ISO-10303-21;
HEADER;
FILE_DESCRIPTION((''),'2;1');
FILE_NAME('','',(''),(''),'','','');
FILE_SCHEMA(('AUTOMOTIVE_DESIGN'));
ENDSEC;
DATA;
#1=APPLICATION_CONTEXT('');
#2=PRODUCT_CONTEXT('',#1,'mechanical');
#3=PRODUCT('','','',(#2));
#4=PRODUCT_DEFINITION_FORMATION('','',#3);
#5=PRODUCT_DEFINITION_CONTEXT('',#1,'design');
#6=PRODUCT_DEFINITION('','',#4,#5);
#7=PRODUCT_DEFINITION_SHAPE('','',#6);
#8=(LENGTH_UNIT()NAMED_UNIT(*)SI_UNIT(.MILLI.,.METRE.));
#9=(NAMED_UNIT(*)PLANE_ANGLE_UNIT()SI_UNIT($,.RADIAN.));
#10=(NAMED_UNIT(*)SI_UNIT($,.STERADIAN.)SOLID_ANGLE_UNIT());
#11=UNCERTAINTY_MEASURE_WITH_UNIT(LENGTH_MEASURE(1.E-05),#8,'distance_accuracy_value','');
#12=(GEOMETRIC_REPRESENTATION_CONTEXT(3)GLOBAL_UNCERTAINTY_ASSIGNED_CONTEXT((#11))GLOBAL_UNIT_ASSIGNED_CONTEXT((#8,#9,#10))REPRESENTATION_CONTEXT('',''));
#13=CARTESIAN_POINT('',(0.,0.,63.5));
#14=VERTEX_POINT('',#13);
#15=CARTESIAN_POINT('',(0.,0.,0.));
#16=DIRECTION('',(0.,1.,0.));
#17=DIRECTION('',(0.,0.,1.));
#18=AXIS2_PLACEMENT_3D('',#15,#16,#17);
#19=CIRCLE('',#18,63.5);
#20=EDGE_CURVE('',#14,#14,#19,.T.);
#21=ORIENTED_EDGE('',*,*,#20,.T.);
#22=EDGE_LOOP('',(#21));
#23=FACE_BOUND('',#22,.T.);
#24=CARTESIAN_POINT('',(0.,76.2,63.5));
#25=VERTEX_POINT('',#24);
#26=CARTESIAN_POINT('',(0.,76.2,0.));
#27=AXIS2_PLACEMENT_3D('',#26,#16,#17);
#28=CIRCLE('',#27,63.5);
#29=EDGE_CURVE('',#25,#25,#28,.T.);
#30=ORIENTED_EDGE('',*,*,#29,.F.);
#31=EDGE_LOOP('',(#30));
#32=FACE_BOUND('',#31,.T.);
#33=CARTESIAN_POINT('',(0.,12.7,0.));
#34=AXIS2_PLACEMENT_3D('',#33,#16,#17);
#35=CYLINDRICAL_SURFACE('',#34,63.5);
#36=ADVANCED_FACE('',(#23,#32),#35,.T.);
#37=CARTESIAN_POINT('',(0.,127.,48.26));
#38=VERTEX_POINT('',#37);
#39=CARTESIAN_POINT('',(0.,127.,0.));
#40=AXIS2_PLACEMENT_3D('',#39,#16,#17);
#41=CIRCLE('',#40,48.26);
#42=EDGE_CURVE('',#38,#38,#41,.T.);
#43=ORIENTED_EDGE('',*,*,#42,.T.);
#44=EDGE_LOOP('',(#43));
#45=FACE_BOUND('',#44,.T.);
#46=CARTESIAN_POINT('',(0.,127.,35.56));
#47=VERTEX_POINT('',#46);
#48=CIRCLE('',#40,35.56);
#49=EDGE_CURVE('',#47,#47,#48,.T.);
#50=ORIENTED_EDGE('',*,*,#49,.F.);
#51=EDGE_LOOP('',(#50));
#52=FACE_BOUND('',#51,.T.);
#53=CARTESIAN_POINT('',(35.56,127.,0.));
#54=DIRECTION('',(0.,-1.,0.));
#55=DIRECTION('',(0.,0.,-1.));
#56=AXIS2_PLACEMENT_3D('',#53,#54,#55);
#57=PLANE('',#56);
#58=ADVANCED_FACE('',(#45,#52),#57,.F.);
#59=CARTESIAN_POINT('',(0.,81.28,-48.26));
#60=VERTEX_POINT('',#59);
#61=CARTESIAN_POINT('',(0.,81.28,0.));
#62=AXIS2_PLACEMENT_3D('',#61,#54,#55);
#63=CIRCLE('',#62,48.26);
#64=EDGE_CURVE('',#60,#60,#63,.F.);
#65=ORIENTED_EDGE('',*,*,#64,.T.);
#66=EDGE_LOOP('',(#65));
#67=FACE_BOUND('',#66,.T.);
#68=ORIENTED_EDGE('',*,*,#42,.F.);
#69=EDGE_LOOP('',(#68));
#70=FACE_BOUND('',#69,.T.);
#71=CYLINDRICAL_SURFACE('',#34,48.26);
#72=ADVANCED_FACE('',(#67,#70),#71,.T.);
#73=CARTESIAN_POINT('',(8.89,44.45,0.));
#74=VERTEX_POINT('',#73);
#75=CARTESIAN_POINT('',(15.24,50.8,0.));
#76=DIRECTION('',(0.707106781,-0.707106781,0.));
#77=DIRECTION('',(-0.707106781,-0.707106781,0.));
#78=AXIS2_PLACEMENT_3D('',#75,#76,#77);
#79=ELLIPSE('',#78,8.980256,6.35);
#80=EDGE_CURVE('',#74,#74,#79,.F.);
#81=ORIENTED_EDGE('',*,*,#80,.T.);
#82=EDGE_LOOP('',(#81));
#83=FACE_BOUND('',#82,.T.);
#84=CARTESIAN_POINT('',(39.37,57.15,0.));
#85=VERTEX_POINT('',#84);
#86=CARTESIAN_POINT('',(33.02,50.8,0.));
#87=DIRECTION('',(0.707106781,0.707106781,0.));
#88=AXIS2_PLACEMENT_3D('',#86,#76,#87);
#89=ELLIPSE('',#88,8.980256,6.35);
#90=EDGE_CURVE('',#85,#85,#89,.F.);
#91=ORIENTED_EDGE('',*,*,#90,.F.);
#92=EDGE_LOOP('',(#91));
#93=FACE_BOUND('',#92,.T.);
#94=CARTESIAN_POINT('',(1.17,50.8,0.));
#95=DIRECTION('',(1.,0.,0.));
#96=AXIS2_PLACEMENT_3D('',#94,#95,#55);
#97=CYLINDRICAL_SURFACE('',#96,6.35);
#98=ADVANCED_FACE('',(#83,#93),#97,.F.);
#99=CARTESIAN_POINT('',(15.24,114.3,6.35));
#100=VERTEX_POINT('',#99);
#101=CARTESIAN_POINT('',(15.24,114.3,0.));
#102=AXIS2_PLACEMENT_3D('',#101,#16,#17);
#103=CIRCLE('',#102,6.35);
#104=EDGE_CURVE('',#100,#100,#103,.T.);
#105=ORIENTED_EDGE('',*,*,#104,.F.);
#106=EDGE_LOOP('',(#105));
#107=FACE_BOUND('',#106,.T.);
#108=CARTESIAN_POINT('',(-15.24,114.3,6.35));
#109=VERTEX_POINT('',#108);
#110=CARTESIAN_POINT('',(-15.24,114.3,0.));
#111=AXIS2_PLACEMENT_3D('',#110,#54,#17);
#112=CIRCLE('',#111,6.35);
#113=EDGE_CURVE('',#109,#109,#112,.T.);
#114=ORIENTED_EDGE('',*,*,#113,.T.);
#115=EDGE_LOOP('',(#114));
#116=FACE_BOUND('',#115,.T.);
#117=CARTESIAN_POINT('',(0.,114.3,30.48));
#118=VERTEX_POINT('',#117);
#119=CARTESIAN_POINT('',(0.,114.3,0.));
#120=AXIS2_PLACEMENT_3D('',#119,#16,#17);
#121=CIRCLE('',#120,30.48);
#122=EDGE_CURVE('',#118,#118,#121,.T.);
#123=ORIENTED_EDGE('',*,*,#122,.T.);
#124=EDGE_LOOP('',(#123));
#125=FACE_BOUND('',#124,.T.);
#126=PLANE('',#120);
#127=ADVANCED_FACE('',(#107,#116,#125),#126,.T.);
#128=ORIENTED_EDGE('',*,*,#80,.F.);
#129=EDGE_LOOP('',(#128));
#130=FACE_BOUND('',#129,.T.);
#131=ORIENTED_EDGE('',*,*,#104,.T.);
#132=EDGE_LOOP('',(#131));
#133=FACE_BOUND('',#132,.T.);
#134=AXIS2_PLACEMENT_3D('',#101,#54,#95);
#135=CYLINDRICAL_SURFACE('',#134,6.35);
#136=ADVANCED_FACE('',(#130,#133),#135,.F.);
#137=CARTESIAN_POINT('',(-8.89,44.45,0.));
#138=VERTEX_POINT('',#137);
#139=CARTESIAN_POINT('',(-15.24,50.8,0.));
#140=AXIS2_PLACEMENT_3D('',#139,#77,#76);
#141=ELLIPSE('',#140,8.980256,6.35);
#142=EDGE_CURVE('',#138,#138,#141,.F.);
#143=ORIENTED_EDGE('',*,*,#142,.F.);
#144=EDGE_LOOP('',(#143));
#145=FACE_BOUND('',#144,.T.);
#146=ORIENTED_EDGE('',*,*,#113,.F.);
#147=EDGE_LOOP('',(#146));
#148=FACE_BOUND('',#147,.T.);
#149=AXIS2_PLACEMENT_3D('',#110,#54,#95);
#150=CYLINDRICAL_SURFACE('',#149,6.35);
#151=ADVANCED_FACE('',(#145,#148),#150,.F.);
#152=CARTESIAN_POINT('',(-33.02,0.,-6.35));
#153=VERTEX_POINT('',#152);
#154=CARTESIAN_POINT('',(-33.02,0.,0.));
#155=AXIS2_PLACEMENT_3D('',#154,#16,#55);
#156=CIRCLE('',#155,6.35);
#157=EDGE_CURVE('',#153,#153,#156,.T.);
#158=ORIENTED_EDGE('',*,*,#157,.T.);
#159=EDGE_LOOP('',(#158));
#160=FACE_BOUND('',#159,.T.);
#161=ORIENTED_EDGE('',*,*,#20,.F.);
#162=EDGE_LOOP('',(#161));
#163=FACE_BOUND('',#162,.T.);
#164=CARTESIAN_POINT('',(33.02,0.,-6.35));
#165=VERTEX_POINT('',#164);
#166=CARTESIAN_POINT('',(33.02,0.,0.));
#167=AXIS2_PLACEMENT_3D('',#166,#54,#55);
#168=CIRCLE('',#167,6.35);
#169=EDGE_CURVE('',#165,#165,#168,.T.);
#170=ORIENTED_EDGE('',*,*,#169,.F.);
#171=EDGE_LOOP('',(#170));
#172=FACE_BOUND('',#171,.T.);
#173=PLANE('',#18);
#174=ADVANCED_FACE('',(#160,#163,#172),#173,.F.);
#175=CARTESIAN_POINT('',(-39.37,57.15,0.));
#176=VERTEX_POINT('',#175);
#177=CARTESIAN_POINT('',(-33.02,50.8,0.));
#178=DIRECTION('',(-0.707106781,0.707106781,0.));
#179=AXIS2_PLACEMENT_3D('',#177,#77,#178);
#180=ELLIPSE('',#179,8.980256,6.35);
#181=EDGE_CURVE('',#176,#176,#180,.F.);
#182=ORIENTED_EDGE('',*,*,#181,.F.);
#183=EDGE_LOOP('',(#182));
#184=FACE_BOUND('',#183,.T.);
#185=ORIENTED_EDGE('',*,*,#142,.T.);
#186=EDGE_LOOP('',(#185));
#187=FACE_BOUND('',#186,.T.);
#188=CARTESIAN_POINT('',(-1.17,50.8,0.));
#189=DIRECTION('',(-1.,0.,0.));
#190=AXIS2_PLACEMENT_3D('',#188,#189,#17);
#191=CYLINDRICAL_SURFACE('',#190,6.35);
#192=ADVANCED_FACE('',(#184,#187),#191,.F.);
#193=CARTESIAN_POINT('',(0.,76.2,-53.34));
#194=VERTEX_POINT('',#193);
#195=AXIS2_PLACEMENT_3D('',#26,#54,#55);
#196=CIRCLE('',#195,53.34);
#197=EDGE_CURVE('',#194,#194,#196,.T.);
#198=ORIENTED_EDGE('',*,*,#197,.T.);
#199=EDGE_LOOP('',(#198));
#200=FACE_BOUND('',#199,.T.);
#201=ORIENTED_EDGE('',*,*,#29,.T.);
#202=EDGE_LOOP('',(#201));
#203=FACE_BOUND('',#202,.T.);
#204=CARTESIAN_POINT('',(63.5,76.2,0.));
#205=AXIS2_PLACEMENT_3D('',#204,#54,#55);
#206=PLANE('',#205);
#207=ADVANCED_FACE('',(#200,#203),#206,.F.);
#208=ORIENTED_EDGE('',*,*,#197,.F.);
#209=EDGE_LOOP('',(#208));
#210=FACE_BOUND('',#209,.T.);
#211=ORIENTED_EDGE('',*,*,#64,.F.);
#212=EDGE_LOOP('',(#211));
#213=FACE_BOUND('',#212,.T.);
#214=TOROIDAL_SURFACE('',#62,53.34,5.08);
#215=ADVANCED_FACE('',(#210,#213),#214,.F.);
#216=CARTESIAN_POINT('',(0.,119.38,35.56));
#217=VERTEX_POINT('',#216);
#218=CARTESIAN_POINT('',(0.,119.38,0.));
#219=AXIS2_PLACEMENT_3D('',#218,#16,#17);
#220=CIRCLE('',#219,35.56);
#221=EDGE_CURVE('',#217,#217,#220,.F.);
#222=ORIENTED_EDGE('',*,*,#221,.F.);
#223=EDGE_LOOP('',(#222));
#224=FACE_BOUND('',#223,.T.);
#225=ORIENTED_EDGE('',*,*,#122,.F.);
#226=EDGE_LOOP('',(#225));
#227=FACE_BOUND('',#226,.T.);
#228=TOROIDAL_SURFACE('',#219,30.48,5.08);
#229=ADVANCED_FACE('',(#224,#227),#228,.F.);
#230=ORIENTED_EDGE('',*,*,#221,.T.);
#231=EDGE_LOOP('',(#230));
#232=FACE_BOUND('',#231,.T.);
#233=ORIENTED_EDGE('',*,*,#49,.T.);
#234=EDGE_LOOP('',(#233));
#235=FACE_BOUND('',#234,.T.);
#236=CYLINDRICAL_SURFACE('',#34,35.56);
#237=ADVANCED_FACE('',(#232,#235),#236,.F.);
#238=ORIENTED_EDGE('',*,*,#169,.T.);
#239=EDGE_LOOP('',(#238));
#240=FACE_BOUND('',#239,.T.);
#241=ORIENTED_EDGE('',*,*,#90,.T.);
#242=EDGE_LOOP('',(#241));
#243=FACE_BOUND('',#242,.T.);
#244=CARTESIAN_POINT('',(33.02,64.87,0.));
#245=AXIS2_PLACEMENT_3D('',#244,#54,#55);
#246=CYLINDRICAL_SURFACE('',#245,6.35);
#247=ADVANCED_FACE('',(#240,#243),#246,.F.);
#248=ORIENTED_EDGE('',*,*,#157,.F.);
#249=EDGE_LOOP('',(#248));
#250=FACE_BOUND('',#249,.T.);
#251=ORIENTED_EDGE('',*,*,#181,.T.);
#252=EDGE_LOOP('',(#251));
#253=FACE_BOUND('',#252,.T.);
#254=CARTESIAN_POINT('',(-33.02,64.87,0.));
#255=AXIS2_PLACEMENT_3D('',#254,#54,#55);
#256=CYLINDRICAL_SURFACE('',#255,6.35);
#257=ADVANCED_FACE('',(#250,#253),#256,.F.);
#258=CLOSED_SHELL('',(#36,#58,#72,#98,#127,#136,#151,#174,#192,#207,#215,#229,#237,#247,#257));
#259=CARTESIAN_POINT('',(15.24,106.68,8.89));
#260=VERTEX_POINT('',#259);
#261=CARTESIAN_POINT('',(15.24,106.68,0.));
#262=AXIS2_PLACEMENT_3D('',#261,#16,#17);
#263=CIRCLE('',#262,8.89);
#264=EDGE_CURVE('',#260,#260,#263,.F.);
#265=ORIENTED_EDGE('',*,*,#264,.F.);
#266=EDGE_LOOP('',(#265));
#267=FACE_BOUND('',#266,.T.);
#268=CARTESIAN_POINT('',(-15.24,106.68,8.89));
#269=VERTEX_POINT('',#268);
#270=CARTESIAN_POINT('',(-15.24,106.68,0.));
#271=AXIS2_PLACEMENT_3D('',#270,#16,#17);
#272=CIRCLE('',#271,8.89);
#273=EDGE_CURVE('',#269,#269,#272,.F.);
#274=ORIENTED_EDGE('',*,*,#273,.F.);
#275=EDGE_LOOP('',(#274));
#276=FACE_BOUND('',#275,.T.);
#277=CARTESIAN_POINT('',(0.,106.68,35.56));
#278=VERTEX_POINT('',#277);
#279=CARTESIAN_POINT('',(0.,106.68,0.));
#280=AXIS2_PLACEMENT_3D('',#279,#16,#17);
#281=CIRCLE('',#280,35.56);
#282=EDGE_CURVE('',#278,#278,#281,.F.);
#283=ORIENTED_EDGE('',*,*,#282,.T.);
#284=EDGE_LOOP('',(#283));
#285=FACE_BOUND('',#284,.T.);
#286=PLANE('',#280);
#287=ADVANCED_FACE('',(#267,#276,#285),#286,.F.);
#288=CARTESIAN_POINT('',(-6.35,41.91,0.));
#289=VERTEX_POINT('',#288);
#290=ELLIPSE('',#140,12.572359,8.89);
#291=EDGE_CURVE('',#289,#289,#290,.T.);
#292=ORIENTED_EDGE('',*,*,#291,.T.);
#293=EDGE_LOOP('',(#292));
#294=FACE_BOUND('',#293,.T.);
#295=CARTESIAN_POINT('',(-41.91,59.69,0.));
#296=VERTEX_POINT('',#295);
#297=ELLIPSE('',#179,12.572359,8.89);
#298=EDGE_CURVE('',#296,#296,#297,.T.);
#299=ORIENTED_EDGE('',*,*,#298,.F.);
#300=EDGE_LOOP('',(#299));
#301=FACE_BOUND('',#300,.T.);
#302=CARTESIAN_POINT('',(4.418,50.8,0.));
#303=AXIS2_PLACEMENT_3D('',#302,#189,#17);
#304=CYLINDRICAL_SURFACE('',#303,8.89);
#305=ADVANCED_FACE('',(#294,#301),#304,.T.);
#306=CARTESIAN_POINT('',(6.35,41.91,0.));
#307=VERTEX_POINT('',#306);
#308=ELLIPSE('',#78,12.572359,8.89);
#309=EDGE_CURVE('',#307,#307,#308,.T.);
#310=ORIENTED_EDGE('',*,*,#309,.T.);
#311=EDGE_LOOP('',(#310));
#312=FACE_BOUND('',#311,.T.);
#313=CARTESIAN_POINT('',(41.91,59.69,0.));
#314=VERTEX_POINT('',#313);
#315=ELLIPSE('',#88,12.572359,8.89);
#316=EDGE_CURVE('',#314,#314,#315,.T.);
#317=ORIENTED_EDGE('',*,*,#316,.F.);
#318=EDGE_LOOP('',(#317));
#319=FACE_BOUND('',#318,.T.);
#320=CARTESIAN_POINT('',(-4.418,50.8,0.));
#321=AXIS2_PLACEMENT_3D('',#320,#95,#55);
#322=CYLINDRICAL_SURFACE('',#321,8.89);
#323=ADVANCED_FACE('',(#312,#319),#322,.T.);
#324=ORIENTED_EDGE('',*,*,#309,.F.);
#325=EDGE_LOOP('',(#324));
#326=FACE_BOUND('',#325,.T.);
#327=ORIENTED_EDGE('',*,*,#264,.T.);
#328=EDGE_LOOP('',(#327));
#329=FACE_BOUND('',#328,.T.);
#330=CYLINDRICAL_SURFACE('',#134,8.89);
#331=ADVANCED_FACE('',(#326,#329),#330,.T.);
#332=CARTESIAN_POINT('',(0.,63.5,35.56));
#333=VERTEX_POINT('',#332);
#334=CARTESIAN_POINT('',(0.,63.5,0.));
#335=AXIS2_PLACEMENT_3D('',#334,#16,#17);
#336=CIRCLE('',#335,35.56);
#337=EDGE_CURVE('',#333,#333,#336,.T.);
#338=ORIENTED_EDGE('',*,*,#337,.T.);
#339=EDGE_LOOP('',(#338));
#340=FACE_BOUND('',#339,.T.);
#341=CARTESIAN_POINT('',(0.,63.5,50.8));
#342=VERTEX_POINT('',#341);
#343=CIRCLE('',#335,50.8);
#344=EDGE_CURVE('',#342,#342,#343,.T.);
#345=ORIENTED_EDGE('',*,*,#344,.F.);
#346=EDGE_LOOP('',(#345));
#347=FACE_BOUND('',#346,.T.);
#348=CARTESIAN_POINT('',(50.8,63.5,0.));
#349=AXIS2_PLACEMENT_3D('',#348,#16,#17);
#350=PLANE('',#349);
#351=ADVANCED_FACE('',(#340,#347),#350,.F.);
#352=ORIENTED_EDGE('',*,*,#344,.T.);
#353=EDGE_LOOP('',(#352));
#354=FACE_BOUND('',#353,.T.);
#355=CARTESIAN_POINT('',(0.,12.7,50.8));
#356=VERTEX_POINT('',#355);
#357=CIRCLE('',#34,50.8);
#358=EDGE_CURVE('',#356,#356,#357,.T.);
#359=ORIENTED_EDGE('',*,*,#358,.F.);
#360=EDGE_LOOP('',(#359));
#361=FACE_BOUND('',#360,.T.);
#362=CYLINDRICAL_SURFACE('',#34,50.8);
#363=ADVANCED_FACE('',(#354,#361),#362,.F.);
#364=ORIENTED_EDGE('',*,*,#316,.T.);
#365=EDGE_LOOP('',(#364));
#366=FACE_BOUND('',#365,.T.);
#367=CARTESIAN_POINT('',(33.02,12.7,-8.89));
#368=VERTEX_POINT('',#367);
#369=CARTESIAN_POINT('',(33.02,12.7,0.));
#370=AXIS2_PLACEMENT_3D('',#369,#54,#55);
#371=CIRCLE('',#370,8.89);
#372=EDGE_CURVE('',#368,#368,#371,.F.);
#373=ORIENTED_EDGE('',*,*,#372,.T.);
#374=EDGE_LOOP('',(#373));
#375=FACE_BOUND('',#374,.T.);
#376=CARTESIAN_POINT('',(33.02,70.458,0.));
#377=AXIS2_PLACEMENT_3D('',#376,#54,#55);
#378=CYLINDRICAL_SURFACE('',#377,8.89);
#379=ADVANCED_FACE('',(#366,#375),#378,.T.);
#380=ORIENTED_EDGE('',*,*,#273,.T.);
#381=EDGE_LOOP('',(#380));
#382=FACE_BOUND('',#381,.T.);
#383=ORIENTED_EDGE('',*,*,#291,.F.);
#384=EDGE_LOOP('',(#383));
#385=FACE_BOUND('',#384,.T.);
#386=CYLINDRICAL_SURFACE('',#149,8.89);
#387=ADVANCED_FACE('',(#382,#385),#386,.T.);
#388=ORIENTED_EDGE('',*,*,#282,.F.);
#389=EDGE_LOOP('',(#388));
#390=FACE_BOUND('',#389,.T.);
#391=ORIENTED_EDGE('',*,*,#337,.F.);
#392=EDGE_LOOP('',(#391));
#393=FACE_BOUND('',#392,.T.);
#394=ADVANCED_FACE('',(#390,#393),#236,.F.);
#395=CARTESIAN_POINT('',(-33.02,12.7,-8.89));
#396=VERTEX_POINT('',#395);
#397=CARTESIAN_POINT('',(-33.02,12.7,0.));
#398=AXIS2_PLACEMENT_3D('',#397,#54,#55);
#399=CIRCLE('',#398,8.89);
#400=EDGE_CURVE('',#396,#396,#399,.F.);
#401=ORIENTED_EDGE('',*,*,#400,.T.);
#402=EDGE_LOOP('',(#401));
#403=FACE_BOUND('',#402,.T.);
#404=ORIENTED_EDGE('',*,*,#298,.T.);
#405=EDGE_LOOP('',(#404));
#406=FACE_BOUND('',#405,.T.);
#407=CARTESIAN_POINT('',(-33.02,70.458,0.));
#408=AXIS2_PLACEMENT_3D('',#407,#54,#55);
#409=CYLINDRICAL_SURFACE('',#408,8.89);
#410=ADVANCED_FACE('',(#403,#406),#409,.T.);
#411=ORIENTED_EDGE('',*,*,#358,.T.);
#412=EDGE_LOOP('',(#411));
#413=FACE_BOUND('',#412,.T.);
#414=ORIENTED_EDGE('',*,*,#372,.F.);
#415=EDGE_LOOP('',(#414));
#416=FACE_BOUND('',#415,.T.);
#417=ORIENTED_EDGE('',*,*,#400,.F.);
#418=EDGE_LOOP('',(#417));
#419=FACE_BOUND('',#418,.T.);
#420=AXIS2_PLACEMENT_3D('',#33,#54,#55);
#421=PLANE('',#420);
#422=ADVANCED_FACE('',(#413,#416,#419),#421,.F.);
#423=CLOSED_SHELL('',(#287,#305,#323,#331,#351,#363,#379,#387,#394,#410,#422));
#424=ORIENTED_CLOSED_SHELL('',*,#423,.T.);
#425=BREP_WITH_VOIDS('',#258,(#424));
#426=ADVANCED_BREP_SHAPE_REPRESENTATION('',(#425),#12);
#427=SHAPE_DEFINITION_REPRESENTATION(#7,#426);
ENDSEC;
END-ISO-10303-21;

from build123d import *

# Parameters (mm, degrees)
BOSS_EXTRUDE1_START = -7.62
SKETCH2_R           = 35.56
BOSS_EXTRUDE1_DEPTH = 7.62
SKETCH4_R           = 8.89
SKETCH4_R_2         = 6.35
CUT_EXTRUDE1_REACH  = 157.543
SKETCH7_R           = 6.35
CUT_EXTRUDE2_REACH  = 147.358
SKETCH8_R           = 6.35
FILLET1_R           = 5.08


with BuildPart() as part:
    # Sketch1 → Revolve2 (revolve)
    with BuildSketch(Plane.XY, mode=Mode.PRIVATE) as revolve2_sk:
        Polygon((0, 0), (63.5, 0), (63.5, 76.2), (48.26, 76.2), (48.26, 127), (35.56, 127), (35.56, 63.5), (50.8, 63.5), (50.8, 12.7), (0, 12.7), align=None)
    revolve(revolve2_sk.sketch.rotate(Axis((0, 12.7, 0), (0, -1, 0)), 90), axis=Axis((0, 12.7, 0), (0, -1, 0)))

    # Sketch2 → Boss-Extrude1 (add)
    with BuildSketch(Plane(origin=(0, 114.3, 0), x_dir=(1, 0, 0), z_dir=(0, 1, 0)).offset(BOSS_EXTRUDE1_START)):
        with Locations(Location((0, 0, 0), (0, 0, 270))):
            Circle(SKETCH2_R)
    extrude(amount=BOSS_EXTRUDE1_DEPTH)

    # Sweep1: sweep along a path in Sketch5
    with BuildLine(Plane.XY) as sweep1_path:
        Line((15.24, 114.3), (15.24, 50.8))
        Line((15.24, 50.8), (33.02, 50.8))
        Line((33.02, 50.8), (33.02, 0))
    # Sketch4 → Sweep1 (sweep)
    with BuildSketch(Plane(origin=(0, 114.3, 0), x_dir=(1, 0, 0), z_dir=(0, 1, 0))):
        with Locations((15.24, 0)):
            Circle(SKETCH4_R)
        with Locations((15.24, 0)):
            Circle(SKETCH4_R_2, mode=Mode.SUBTRACT)
    sweep1 = sweep(path=sweep1_path.line, transition=Transition.RIGHT)

    # Sketch7 → Cut-Extrude1 (cut, up to next)
    with BuildSketch(Plane.XZ, mode=Mode.PRIVATE) as cut_extrude1_sk1:
        with Locations(Location((33.02, 0, 0), (0, 0, 270))):
            Circle(SKETCH7_R)
    cut_extrude1_tool1 = extrude(cut_extrude1_sk1.sketch, amount=-CUT_EXTRUDE1_REACH, mode=Mode.PRIVATE) & part.part
    cut_extrude1 = cut_extrude1_tool1.solids().sort_by_distance((33.02, 0, 0))[0]
    add(cut_extrude1, mode=Mode.SUBTRACT)

    # Sketch8 → Cut-Extrude2 (cut, up to next)
    with BuildSketch(Plane(origin=(0, 114.3, 0), x_dir=(1, 0, 0), z_dir=(0, 1, 0)), mode=Mode.PRIVATE) as cut_extrude2_sk1:
        with Locations(Location((15.24, 0, 0), (0, 0, 270))):
            Circle(SKETCH8_R)
    cut_extrude2_tool1 = extrude(cut_extrude2_sk1.sketch, amount=-CUT_EXTRUDE2_REACH, mode=Mode.PRIVATE) & part.part
    cut_extrude2 = cut_extrude2_tool1.solids().sort_by_distance((15.24, 114.3, 0))[0]
    add(cut_extrude2, mode=Mode.SUBTRACT)

    # Mirror1: Sweep1, Cut-Extrude1, Cut-Extrude2 across plane
    add(sweep1.mirror(Plane(origin=(0, 0, 0), x_dir=(0, 0, 1), z_dir=(1, 0, 0))))
    add(cut_extrude1.mirror(Plane(origin=(0, 0, 0), x_dir=(0, 0, 1), z_dir=(1, 0, 0))), mode=Mode.SUBTRACT)
    add(cut_extrude2.mirror(Plane(origin=(0, 0, 0), x_dir=(0, 0, 1), z_dir=(1, 0, 0))), mode=Mode.SUBTRACT)

    # Fillet1
    fillet1_edges = [part.edges().sort_by_distance(p)[0] for p in [
        (0, 76.2, -48.26),
        (0, 114.3, -35.56),
    ]]
    fillet(fillet1_edges, radius=FILLET1_R)


solid = part.part
